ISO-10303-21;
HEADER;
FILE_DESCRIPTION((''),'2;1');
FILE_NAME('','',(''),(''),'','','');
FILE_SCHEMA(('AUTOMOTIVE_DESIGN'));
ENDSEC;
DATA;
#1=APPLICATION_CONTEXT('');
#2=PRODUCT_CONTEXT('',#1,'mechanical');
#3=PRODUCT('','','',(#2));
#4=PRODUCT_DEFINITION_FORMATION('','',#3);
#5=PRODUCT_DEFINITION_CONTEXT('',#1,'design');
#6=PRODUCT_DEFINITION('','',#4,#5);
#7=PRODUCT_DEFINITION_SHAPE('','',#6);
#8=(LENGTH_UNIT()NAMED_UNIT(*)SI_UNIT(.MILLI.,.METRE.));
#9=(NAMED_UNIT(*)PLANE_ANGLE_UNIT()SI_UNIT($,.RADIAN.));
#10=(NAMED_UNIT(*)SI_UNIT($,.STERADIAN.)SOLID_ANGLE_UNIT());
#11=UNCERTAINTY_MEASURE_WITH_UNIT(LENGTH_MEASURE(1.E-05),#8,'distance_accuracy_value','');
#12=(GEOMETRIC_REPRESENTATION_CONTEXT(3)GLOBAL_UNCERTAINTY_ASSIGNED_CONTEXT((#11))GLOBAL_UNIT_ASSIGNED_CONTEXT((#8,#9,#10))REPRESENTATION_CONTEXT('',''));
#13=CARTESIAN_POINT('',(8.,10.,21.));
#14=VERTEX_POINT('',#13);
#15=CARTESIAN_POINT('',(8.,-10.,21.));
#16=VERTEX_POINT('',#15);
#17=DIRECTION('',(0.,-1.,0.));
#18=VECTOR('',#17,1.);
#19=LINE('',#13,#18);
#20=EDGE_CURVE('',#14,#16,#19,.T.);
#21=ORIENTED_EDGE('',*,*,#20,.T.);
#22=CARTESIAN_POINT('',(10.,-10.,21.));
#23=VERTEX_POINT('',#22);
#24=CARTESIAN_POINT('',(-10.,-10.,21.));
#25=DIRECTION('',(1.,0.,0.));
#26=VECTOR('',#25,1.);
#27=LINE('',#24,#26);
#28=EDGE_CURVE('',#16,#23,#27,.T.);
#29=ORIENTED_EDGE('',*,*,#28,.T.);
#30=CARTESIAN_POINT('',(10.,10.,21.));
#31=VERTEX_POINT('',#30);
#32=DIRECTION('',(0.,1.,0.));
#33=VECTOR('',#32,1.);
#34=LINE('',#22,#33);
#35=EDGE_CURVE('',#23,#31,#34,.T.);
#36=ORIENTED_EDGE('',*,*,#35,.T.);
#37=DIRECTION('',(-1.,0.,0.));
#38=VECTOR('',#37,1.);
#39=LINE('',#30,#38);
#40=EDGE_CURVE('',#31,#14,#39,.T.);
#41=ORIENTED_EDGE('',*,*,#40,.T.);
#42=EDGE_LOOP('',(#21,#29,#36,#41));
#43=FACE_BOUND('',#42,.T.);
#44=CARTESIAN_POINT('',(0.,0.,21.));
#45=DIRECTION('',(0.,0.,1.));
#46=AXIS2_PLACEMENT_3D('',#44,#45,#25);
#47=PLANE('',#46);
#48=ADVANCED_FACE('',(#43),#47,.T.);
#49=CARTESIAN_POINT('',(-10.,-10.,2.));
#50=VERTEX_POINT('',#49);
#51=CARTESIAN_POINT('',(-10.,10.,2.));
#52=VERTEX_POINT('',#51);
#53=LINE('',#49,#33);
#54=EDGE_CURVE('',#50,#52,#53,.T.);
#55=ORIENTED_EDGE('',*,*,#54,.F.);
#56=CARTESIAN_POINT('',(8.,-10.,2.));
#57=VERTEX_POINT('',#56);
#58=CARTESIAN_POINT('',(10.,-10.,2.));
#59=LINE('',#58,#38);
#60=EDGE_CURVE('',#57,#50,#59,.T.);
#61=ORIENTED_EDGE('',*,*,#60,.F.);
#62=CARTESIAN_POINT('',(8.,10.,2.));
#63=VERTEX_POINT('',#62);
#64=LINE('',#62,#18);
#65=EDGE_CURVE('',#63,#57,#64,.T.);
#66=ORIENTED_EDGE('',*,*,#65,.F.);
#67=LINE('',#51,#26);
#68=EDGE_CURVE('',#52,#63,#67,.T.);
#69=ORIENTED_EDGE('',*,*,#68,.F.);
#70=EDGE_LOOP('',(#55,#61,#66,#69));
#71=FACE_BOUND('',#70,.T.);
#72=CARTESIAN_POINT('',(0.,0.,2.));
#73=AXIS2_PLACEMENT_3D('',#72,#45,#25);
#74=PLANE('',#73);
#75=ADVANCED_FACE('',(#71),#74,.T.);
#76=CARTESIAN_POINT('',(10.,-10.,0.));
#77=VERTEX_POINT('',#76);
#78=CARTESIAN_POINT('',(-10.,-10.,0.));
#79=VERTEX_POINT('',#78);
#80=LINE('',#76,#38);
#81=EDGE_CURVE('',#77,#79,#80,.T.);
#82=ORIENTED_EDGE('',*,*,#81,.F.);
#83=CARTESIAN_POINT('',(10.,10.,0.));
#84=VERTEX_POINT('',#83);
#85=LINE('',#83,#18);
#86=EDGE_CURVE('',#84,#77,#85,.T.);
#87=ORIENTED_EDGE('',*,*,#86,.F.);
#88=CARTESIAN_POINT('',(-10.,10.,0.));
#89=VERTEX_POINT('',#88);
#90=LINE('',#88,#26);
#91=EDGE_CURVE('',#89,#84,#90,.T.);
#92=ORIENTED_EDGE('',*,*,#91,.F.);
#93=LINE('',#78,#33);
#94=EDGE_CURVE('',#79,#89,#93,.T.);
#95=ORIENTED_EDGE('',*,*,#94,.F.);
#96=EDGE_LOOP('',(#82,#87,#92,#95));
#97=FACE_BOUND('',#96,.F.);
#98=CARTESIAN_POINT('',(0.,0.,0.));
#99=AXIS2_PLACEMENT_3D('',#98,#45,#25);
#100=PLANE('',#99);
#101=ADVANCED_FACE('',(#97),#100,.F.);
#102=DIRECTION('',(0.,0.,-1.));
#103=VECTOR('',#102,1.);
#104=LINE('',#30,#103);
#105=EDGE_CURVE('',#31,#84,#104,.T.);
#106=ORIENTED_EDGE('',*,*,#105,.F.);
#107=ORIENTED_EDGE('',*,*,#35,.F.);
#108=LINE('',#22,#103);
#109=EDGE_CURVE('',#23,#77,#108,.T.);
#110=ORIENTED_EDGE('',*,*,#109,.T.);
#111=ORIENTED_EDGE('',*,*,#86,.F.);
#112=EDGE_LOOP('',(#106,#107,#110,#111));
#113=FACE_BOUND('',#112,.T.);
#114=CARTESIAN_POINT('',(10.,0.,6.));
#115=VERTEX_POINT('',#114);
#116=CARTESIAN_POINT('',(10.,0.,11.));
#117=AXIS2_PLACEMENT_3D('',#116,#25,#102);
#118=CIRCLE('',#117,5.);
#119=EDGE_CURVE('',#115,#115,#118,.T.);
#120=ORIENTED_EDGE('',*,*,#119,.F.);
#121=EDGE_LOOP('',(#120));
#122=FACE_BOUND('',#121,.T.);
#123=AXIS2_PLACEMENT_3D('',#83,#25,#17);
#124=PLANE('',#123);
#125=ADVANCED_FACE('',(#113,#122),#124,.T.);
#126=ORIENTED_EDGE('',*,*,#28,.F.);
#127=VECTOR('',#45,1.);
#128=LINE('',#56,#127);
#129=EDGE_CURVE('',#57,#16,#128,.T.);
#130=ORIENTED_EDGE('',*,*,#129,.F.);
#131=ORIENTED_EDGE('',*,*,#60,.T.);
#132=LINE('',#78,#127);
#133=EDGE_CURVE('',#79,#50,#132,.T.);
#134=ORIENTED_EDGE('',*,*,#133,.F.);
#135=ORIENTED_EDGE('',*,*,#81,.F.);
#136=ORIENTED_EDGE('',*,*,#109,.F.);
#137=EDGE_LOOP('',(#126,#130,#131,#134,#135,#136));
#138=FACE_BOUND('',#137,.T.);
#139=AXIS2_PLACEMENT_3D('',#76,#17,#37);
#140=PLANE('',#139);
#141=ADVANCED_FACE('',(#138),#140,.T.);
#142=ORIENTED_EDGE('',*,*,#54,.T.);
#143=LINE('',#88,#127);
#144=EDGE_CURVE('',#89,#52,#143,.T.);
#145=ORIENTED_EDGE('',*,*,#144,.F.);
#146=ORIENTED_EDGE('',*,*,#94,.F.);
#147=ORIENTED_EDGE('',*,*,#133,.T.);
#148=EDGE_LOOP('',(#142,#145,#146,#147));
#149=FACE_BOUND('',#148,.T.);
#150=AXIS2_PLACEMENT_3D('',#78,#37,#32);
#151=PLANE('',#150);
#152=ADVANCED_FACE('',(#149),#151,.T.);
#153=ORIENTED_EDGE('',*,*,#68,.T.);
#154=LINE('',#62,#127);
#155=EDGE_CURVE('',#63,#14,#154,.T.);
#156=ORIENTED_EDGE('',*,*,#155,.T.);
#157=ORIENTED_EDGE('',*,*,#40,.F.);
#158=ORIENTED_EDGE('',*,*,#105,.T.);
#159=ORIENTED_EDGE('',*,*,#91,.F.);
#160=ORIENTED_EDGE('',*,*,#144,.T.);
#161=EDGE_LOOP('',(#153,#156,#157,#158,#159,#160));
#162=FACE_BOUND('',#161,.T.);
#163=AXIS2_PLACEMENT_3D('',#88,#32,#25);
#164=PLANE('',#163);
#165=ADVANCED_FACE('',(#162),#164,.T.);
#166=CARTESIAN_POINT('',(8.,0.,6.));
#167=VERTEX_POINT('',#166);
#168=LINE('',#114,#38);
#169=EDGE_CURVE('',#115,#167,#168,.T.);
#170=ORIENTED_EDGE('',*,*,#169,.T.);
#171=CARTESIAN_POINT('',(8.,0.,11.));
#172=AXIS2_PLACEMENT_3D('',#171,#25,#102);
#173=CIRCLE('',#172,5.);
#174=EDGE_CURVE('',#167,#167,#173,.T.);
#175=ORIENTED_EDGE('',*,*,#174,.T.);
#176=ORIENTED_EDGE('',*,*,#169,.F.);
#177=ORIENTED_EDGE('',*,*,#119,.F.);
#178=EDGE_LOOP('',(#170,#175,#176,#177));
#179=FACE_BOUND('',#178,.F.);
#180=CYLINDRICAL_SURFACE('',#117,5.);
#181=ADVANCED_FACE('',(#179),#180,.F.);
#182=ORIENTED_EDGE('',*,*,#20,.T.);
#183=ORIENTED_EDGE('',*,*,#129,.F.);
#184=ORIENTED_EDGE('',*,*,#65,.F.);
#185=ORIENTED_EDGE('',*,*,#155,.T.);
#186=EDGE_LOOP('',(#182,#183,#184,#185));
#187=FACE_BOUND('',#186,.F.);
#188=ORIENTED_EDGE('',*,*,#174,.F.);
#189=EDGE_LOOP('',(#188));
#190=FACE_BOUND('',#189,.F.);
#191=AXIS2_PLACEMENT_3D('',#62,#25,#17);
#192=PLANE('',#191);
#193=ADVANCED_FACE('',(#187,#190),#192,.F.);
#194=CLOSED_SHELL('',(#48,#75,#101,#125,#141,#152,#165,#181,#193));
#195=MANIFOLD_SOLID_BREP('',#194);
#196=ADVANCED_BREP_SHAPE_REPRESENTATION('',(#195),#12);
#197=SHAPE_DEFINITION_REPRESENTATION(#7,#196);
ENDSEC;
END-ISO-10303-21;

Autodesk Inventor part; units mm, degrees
ref_plane "YZ Plane" through (0, 0, 0) normal (1, 0, 0) x (0, 1, 0)
ref_plane "XZ Plane" through (0, 0, 0) normal (0, 1, 0) x (-1, 0, 0)
ref_plane "XY Plane" through (0, 0, 0) normal (0, 0, 1) x (1, 0, 0)
sketch "Sketch1" plane through (0, 0, 0) normal (0, 0, 1) x (1, 0, 0)
  line L0 (-10, 10) -> (10, 10)
  line L1 (10, 10) -> (10, -10)
  line L2 (10, -10) -> (-10, -10)
  line L3 (-10, -10) -> (-10, 10)
  line L4 (-10, 10) -> (10, -10) construction
  line L5 (10, 10) -> (-10, -10) construction
  point P0 (0, 0)
  dimension "d0" = 20
  dimension "d1" = 20
extrude "Extrusion1" add sketch "Sketch1" along normal blind 2
sketch "Sketch2" plane through (0, 0, 2) normal (0, 0, 1) x (1, 0, 0)
  line L0 (10, 10) -> (-10, 10) projected
  line L1 (-10, -10) -> (10, -10) projected
  line L2 (10, 10) -> (8, 10)
  line L3 (8, 10) -> (8, -10)
  line L4 (8, -10) -> (10, -10)
  line L5 (10, -10) -> (10, 10)
  point P0 (0, 0)
  dimension "d4" = 2
extrude "Extrusion2" add sketch "Sketch2" along normal blind 19
sketch "Sketch3" plane through (10, -10, 0) normal (1, 0, 0) x (0, 0, -1)
  circle A0 centre (-11, 10) radius 5
  point P0 (0, 10)
  dimension "d7" = 10
extrude "Extrusion3" cut sketch "Sketch3" against normal up to surface (2 mm away)
properties part number "Holder for Main_Shaft"
